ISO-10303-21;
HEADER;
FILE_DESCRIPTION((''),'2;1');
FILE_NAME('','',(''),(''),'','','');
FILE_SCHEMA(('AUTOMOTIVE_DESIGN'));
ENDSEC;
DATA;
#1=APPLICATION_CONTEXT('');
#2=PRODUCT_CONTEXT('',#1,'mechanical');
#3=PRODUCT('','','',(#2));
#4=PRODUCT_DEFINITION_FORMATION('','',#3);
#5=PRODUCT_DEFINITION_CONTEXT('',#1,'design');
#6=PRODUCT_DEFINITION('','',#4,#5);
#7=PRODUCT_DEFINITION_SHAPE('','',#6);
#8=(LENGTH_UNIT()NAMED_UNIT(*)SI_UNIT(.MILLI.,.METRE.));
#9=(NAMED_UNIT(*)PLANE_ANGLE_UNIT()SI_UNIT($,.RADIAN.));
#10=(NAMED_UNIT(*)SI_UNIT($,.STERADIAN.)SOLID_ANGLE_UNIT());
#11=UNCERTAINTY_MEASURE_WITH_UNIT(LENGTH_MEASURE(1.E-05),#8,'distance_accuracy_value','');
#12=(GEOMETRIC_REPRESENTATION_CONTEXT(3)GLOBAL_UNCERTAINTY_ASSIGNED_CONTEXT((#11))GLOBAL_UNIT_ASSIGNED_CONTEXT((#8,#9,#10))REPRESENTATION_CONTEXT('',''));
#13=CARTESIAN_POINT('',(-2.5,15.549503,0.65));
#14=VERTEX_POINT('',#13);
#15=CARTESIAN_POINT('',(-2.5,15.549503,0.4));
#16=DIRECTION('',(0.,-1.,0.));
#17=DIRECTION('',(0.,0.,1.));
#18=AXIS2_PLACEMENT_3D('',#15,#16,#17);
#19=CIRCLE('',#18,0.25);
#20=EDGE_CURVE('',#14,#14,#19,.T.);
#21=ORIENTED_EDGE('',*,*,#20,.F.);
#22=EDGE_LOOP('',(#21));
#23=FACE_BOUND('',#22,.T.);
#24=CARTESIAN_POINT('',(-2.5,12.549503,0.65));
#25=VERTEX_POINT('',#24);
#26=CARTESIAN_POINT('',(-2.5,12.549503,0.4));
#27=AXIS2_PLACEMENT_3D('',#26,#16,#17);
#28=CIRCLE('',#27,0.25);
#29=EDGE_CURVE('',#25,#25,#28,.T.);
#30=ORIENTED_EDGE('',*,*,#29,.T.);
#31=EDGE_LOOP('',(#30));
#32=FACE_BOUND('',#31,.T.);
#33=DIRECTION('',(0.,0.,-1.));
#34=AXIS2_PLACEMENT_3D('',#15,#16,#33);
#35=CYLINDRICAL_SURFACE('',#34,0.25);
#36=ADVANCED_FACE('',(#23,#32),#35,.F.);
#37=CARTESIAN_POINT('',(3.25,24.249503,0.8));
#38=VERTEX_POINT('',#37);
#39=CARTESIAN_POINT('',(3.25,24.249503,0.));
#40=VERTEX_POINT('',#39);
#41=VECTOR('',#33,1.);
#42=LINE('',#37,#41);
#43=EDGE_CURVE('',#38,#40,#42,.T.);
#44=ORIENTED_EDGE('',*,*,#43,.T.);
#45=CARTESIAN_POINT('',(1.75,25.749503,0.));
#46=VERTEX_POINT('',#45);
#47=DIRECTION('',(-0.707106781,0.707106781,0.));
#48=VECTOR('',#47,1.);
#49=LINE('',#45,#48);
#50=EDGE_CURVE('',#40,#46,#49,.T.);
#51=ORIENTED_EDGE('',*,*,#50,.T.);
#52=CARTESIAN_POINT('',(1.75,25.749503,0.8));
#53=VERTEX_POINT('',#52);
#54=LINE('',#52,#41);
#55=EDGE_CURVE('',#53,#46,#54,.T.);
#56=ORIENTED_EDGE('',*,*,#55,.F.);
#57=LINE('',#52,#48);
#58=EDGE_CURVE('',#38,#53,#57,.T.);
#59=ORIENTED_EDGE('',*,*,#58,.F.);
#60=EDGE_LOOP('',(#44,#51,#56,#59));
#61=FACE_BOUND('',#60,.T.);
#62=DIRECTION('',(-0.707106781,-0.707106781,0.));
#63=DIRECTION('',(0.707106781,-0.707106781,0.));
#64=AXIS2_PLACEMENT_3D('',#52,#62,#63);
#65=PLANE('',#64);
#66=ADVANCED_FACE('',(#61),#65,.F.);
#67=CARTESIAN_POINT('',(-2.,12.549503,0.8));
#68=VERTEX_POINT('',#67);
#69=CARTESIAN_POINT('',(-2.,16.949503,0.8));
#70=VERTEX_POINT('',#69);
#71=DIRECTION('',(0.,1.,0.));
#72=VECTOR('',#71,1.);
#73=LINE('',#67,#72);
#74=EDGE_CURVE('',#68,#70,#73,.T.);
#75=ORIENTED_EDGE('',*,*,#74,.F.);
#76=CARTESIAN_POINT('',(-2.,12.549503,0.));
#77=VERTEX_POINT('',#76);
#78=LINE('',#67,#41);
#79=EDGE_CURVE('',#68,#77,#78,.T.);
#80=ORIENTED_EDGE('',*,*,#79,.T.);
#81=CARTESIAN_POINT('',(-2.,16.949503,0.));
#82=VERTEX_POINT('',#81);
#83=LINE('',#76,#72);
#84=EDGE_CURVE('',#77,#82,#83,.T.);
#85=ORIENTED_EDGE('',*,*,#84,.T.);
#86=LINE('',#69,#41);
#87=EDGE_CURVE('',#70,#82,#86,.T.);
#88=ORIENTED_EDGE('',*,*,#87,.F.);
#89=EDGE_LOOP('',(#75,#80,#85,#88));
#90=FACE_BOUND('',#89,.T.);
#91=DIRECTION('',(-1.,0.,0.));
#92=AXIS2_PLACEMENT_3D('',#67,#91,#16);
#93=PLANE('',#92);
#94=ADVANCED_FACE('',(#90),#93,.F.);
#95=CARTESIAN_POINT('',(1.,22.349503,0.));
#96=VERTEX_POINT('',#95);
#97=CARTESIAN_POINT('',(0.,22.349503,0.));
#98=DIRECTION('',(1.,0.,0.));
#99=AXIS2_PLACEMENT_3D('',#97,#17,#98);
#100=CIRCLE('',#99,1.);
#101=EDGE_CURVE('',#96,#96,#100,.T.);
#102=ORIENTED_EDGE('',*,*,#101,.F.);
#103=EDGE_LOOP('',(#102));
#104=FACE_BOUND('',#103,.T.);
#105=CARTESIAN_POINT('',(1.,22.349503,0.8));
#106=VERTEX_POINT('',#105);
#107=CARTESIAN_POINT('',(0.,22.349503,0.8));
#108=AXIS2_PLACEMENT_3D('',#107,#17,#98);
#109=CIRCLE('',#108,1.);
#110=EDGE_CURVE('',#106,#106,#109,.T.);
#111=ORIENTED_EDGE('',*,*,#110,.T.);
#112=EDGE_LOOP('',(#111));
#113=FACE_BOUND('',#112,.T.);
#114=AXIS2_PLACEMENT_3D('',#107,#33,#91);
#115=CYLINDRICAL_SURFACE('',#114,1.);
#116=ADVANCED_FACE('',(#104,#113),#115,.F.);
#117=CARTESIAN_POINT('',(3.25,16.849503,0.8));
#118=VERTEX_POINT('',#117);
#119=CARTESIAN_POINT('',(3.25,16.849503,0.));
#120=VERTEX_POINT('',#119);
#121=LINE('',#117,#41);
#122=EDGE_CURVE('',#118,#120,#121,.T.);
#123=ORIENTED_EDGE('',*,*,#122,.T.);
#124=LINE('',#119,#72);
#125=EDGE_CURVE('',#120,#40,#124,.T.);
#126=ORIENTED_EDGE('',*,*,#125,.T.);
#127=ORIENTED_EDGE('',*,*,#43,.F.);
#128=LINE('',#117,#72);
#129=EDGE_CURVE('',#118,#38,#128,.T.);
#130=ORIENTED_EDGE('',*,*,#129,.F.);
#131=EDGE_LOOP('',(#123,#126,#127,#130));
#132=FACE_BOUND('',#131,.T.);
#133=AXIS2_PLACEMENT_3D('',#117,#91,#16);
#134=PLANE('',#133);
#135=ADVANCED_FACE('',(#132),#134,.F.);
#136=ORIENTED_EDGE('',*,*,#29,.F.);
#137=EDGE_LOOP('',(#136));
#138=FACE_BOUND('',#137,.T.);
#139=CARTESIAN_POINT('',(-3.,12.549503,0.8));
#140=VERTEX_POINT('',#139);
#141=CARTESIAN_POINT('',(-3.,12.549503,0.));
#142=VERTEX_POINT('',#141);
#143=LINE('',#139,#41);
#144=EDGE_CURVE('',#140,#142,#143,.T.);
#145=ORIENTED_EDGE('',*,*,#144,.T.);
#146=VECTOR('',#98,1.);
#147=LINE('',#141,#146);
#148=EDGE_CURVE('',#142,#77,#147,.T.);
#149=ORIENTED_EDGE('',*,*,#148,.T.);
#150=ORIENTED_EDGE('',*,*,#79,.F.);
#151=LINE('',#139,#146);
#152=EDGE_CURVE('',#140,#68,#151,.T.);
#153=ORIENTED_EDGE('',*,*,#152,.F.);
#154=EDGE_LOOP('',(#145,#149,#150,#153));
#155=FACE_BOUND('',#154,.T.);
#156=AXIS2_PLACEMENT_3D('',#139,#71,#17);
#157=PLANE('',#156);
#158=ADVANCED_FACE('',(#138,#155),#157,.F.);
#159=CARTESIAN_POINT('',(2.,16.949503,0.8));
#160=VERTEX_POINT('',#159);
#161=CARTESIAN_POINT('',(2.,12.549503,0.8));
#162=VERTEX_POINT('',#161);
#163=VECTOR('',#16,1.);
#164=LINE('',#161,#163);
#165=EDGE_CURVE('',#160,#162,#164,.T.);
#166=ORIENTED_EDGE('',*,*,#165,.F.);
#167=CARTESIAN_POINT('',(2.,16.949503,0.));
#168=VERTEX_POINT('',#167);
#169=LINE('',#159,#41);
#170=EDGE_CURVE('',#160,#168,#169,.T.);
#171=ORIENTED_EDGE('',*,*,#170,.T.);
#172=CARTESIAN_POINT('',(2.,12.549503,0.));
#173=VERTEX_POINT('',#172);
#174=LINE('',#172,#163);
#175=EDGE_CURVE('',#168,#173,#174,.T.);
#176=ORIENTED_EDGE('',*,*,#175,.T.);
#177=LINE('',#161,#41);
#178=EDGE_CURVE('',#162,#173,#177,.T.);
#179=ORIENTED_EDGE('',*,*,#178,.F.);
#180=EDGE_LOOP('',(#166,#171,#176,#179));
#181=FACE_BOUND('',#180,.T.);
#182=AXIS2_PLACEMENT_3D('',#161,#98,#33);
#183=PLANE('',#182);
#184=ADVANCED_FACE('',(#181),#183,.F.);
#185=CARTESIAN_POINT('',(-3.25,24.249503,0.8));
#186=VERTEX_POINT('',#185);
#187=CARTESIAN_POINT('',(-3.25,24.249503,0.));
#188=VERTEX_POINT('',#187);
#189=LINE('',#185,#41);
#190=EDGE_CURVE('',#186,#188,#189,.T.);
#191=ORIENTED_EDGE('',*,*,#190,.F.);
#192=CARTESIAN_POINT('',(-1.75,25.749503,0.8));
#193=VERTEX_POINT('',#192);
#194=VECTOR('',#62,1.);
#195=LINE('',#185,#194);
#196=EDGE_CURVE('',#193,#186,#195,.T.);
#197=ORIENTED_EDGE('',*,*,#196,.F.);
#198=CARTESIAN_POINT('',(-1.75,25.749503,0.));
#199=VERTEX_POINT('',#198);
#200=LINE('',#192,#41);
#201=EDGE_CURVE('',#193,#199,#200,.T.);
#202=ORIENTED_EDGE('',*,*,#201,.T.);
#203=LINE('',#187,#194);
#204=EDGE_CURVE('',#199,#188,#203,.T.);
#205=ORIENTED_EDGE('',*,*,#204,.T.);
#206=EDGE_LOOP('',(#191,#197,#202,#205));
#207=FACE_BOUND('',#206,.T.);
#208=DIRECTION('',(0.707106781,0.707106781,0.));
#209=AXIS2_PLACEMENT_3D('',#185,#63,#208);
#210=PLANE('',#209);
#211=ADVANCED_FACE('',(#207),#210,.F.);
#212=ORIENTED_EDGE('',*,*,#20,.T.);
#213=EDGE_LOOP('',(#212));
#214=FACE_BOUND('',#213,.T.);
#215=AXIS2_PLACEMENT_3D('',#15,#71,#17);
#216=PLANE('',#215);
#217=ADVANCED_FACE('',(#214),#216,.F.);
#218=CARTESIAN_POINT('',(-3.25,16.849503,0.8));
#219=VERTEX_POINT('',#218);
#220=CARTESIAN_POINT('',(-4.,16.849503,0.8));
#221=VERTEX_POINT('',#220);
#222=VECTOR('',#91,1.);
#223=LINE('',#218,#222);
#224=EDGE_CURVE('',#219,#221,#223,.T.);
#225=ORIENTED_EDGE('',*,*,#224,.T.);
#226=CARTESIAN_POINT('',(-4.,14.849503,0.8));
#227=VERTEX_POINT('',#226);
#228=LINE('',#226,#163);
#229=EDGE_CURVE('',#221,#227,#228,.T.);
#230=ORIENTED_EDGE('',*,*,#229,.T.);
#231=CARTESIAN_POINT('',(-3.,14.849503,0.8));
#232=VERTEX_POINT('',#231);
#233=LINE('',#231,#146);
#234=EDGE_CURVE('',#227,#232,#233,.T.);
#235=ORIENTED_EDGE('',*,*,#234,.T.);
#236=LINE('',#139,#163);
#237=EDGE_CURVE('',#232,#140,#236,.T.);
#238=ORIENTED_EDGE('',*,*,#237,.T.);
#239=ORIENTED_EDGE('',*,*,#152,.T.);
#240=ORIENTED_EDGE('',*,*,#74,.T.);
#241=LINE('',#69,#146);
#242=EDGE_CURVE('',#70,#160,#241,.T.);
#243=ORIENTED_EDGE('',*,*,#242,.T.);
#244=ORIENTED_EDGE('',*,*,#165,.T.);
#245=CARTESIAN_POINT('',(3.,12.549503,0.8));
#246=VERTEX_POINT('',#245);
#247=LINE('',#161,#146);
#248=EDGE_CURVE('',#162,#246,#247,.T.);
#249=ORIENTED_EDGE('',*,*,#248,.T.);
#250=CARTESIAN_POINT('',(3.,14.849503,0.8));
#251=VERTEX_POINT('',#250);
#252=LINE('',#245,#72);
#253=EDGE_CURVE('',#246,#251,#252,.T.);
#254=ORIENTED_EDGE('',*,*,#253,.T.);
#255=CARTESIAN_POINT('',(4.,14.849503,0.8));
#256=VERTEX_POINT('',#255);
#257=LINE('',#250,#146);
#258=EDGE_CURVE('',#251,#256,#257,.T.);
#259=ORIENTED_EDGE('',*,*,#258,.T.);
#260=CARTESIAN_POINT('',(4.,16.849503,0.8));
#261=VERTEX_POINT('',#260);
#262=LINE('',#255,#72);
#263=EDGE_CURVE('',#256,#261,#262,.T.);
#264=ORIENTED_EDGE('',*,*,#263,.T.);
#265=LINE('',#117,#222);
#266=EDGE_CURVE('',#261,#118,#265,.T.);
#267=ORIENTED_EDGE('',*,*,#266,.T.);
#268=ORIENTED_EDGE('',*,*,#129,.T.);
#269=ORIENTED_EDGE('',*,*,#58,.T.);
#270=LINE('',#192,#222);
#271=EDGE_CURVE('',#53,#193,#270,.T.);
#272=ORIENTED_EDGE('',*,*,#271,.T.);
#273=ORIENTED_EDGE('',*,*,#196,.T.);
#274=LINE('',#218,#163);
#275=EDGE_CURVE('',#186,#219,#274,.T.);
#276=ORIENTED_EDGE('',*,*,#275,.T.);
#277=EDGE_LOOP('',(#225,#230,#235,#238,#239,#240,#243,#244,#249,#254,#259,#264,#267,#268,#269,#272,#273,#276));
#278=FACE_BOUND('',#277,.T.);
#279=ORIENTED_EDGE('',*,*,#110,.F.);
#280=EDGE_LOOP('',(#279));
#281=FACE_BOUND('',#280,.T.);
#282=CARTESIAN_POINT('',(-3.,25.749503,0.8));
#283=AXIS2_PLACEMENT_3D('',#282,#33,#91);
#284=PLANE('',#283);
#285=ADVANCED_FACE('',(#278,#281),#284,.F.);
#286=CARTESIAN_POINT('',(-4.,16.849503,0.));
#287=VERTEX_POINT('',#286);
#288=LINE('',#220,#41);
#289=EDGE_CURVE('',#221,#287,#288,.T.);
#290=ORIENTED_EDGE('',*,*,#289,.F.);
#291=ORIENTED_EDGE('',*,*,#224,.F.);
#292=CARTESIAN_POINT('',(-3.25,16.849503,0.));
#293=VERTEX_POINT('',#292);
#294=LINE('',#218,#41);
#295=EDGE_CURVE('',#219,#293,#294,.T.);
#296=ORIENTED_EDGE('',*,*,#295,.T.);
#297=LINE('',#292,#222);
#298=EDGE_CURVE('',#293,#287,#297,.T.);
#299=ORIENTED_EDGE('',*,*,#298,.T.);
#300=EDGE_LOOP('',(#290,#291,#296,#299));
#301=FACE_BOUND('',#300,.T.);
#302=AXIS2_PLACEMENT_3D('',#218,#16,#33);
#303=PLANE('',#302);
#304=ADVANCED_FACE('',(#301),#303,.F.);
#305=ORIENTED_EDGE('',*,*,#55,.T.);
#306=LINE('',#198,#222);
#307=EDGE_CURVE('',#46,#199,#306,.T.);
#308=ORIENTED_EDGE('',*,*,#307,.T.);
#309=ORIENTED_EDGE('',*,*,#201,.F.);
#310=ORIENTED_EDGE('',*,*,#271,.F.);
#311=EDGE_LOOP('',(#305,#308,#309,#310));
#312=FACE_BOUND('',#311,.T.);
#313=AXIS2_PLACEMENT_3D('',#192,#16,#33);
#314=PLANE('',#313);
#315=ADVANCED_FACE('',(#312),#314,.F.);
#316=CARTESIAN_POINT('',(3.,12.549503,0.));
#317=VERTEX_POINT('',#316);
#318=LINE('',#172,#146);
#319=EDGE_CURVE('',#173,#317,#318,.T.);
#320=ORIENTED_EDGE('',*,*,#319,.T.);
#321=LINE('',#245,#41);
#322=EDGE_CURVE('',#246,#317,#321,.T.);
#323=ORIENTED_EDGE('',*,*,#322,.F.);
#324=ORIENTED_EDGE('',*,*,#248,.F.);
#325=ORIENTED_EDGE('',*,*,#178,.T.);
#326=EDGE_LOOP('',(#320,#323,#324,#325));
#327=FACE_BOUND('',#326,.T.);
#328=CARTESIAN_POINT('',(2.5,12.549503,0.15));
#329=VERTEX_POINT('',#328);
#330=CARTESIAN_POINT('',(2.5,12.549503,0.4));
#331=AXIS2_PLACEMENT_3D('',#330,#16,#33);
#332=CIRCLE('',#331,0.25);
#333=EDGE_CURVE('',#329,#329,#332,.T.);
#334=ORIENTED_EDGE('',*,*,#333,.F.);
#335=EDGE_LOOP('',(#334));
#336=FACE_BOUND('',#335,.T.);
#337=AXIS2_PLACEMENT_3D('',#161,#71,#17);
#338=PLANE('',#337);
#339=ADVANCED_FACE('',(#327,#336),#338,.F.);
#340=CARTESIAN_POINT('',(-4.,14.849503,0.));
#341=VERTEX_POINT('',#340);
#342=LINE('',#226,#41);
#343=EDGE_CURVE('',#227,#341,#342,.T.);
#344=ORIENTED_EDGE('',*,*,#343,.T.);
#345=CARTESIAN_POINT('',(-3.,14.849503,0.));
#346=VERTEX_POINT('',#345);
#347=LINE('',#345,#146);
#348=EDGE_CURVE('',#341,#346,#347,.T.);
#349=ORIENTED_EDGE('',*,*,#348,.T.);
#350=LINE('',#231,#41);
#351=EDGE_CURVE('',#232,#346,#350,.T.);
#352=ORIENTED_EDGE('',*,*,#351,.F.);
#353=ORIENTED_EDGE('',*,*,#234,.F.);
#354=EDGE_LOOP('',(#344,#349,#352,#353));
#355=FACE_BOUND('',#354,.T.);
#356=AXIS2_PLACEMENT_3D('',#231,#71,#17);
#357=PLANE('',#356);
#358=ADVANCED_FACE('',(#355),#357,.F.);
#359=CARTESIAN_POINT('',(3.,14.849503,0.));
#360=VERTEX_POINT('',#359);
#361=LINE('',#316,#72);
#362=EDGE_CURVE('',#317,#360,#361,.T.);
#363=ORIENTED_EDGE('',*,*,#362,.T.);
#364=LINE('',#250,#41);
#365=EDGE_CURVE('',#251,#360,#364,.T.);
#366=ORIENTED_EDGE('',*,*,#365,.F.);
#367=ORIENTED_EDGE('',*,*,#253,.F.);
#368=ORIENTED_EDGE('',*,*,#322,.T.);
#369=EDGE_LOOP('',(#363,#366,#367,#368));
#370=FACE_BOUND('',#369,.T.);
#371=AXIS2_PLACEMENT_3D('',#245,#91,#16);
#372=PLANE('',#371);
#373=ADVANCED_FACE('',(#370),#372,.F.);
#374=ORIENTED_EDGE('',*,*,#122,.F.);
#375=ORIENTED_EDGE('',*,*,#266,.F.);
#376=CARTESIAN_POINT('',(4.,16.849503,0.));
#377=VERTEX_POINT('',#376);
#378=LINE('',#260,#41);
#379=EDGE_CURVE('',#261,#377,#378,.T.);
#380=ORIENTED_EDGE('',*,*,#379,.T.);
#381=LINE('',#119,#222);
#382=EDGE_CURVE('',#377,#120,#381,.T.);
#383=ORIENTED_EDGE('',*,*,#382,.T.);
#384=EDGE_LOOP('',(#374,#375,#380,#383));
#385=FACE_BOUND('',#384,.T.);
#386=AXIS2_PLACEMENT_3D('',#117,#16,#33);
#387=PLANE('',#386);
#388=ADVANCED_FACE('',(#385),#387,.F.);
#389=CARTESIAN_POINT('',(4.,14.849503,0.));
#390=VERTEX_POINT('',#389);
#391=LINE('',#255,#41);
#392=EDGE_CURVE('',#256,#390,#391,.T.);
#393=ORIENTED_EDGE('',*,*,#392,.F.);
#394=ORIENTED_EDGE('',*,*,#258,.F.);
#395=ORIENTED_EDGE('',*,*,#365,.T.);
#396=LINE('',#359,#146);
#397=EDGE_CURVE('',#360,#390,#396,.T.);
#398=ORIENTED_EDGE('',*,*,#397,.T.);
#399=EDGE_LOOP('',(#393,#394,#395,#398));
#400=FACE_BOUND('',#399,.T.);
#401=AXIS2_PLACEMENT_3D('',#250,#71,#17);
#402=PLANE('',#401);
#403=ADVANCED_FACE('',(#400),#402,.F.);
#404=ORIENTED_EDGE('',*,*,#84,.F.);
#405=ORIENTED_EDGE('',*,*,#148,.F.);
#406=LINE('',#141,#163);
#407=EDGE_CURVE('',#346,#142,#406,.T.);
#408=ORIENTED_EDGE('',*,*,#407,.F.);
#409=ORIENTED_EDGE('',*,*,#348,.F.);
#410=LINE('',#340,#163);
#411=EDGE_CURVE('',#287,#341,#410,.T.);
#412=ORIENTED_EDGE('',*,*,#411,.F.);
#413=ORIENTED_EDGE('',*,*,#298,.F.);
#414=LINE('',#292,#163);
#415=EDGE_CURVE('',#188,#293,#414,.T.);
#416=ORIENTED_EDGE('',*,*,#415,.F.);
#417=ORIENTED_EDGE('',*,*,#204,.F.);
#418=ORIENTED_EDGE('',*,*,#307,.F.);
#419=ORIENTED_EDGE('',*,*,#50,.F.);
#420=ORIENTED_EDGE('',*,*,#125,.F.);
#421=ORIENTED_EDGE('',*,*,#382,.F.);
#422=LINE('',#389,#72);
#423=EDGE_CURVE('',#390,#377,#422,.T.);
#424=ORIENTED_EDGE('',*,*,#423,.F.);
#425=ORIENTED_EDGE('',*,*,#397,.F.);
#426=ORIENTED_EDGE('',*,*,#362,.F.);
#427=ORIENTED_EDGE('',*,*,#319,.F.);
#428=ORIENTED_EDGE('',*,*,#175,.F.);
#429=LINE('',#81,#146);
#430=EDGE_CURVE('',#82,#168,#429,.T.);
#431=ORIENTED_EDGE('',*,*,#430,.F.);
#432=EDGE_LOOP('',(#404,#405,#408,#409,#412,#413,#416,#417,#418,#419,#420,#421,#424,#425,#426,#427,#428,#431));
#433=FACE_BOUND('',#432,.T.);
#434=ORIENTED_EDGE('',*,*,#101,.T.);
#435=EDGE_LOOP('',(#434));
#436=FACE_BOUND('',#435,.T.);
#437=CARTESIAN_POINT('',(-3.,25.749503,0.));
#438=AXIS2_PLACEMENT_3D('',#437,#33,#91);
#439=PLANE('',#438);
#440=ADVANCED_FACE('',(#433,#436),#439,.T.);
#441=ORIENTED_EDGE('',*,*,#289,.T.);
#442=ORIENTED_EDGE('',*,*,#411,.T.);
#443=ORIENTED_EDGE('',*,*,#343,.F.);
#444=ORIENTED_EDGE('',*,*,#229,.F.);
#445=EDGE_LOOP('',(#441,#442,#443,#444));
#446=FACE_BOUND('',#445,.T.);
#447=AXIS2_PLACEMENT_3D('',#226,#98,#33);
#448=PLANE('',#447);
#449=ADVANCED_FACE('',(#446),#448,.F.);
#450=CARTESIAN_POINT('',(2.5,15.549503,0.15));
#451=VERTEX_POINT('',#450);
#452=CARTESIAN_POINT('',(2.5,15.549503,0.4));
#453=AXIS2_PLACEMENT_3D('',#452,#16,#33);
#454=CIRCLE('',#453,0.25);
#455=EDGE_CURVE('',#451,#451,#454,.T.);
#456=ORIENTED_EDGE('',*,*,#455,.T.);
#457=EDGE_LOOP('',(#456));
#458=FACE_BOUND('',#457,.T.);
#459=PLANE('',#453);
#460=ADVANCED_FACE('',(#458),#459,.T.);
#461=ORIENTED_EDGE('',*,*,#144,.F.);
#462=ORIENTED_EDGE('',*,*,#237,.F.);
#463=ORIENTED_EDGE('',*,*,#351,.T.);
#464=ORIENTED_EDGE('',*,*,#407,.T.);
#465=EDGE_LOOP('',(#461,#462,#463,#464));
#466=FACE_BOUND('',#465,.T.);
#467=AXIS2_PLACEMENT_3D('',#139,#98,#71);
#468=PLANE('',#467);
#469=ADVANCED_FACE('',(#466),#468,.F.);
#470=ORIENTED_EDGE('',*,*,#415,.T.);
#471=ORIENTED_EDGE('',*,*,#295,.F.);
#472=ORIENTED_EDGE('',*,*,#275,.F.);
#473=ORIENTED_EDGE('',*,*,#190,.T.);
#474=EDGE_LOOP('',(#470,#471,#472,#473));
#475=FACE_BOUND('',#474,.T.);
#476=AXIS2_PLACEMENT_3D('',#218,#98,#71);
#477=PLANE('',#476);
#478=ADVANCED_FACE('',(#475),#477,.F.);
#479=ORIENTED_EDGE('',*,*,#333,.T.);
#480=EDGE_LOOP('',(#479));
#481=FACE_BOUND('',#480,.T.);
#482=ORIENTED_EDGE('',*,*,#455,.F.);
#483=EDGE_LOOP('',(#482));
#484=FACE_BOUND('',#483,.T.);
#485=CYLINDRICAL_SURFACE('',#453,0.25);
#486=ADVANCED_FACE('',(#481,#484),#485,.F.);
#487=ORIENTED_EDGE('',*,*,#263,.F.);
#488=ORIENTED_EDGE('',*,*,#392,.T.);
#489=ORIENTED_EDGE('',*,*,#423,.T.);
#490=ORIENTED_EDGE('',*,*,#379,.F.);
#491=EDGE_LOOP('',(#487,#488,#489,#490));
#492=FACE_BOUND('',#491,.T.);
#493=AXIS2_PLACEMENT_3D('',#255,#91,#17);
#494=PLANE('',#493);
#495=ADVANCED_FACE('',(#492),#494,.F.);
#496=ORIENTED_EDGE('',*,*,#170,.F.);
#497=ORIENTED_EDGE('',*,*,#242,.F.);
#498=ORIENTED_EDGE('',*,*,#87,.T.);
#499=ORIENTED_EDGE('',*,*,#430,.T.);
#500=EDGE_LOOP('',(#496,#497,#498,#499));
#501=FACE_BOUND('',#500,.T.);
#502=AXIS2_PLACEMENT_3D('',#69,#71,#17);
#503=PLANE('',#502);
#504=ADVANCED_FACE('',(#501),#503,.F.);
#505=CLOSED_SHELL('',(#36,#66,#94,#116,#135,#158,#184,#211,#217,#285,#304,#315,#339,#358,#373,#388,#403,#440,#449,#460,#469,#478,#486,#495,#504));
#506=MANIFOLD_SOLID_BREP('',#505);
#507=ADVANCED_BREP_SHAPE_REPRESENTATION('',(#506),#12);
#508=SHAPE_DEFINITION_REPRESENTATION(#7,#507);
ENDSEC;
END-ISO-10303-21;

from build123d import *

# Parameters (mm, degrees)
SKETCH_1_R          = 1
EXTRUDE_1_DEPTH     = 0.8
SKETCH_2_R          = 0.25
CUT_EXTRUDE_1_DEPTH = 3


with BuildPart() as part:
    # Эскиз1 → Вытянуть1 (new body)
    with BuildSketch(Plane.XY):
        Polygon((2, 12.549502762), (3, 12.549502762), (3, 14.849502762), (4, 14.849502762), (4, 16.849502762), (3.25, 16.849502762), (3.25, 24.249502762), (1.75, 25.749502762), (-1.75, 25.749502762), (-3.25, 24.249502762), (-3.25, 16.849502762), (-4, 16.849502762), (-4, 14.849502762), (-3, 14.849502762), (-3, 12.549502762), (-2, 12.549502762), (-2, 16.949502762), (2, 16.949502762), align=None)
        with Locations((0, 22.349502762)):
            Circle(SKETCH_1_R, mode=Mode.SUBTRACT)
    extrude(amount=EXTRUDE_1_DEPTH)

    # Эскиз2 → Вырез-Вытянуть1 (cut)
    with BuildSketch(Plane.XZ.offset(-12.549502762)):
        with Locations(Location((2.5, 0.4, 0), (0, 0, 270))):
            Circle(SKETCH_2_R)
        with Locations(Location((-2.5, 0.4, 0), (0, 0, 90))):
            Circle(SKETCH_2_R)
    extrude(amount=-CUT_EXTRUDE_1_DEPTH, mode=Mode.SUBTRACT)


solid = part.part
